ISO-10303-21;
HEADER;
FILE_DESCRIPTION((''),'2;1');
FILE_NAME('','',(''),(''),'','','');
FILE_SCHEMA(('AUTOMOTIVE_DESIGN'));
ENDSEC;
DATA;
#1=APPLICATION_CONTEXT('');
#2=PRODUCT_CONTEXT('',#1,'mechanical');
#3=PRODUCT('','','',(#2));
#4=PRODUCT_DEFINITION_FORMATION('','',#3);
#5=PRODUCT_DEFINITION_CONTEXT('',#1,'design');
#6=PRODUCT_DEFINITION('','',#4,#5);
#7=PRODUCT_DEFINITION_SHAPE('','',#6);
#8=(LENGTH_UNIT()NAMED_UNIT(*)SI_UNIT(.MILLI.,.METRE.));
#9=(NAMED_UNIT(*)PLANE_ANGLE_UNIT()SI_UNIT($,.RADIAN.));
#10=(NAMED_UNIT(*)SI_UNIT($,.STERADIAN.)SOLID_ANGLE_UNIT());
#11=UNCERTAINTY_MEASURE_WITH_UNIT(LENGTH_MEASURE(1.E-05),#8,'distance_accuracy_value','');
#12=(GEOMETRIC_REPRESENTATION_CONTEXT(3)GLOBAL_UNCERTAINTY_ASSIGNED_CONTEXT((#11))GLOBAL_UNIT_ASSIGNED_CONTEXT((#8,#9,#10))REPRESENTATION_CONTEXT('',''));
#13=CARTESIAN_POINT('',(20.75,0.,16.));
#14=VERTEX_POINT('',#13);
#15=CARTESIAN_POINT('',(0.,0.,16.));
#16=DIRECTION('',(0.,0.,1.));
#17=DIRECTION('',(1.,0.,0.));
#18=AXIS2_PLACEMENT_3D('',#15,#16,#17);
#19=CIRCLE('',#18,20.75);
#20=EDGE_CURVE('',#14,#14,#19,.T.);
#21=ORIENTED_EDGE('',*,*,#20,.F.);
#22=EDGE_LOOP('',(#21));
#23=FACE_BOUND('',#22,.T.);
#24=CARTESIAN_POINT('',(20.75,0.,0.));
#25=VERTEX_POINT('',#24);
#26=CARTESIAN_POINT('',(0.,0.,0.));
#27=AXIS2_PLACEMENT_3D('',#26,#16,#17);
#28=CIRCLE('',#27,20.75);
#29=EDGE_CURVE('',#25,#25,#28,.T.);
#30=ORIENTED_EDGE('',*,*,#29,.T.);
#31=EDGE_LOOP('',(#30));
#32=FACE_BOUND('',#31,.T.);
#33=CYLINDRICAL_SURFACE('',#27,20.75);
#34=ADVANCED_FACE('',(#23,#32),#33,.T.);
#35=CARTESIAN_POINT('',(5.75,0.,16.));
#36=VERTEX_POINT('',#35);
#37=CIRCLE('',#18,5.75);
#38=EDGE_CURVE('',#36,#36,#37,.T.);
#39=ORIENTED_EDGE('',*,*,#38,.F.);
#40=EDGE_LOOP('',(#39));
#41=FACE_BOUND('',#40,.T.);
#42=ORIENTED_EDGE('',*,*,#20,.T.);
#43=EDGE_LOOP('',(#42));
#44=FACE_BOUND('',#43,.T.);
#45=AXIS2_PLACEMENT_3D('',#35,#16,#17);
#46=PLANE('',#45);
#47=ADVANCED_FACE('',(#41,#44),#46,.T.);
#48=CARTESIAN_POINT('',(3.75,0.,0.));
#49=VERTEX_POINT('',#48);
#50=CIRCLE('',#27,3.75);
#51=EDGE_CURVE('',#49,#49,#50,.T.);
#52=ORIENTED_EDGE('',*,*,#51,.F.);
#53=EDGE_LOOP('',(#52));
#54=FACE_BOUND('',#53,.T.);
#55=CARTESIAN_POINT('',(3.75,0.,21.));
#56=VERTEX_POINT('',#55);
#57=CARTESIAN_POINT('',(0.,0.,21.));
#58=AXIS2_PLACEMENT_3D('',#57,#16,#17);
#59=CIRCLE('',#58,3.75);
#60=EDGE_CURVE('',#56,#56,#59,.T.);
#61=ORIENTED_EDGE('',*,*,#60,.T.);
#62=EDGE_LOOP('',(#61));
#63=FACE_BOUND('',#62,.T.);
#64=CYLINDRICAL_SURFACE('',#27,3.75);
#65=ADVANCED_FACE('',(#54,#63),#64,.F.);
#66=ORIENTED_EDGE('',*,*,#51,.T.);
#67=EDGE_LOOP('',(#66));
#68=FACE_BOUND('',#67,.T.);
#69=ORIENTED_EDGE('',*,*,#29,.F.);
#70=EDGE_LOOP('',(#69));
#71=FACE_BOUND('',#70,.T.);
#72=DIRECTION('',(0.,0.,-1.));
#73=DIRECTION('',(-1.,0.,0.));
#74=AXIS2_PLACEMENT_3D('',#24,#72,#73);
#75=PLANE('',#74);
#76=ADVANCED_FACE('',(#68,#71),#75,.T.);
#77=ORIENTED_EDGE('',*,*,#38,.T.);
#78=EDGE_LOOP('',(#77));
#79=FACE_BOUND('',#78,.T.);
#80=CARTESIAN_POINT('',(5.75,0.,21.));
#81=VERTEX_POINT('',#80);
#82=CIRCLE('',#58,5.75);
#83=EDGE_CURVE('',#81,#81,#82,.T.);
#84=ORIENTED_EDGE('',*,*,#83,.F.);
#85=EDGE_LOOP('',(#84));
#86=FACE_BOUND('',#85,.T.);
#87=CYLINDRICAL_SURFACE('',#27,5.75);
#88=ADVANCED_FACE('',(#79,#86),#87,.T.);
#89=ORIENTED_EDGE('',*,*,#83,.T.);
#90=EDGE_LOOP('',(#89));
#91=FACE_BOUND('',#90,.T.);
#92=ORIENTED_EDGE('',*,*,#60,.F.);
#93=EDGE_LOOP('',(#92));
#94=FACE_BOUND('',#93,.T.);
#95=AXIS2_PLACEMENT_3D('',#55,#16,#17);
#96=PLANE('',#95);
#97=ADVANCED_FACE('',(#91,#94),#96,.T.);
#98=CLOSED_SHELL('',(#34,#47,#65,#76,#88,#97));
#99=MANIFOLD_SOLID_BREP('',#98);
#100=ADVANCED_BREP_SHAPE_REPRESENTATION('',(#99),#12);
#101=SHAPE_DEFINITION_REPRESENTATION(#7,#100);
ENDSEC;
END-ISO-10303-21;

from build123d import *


with BuildPart() as part:
    # Эскиз1 → Повернуть1 (revolve)
    with BuildSketch(Plane(origin=(0, 0, 0), x_dir=(1, 0, 0), z_dir=(0, 1, 0))):
        Polygon((3.75, -21), (5.75, -21), (5.75, -16), (20.75, -16), (20.75, 0), (3.75, 0), align=None)
    revolve(axis=Axis((0, 0, 0), (0, 0, 1)))


solid = part.part
